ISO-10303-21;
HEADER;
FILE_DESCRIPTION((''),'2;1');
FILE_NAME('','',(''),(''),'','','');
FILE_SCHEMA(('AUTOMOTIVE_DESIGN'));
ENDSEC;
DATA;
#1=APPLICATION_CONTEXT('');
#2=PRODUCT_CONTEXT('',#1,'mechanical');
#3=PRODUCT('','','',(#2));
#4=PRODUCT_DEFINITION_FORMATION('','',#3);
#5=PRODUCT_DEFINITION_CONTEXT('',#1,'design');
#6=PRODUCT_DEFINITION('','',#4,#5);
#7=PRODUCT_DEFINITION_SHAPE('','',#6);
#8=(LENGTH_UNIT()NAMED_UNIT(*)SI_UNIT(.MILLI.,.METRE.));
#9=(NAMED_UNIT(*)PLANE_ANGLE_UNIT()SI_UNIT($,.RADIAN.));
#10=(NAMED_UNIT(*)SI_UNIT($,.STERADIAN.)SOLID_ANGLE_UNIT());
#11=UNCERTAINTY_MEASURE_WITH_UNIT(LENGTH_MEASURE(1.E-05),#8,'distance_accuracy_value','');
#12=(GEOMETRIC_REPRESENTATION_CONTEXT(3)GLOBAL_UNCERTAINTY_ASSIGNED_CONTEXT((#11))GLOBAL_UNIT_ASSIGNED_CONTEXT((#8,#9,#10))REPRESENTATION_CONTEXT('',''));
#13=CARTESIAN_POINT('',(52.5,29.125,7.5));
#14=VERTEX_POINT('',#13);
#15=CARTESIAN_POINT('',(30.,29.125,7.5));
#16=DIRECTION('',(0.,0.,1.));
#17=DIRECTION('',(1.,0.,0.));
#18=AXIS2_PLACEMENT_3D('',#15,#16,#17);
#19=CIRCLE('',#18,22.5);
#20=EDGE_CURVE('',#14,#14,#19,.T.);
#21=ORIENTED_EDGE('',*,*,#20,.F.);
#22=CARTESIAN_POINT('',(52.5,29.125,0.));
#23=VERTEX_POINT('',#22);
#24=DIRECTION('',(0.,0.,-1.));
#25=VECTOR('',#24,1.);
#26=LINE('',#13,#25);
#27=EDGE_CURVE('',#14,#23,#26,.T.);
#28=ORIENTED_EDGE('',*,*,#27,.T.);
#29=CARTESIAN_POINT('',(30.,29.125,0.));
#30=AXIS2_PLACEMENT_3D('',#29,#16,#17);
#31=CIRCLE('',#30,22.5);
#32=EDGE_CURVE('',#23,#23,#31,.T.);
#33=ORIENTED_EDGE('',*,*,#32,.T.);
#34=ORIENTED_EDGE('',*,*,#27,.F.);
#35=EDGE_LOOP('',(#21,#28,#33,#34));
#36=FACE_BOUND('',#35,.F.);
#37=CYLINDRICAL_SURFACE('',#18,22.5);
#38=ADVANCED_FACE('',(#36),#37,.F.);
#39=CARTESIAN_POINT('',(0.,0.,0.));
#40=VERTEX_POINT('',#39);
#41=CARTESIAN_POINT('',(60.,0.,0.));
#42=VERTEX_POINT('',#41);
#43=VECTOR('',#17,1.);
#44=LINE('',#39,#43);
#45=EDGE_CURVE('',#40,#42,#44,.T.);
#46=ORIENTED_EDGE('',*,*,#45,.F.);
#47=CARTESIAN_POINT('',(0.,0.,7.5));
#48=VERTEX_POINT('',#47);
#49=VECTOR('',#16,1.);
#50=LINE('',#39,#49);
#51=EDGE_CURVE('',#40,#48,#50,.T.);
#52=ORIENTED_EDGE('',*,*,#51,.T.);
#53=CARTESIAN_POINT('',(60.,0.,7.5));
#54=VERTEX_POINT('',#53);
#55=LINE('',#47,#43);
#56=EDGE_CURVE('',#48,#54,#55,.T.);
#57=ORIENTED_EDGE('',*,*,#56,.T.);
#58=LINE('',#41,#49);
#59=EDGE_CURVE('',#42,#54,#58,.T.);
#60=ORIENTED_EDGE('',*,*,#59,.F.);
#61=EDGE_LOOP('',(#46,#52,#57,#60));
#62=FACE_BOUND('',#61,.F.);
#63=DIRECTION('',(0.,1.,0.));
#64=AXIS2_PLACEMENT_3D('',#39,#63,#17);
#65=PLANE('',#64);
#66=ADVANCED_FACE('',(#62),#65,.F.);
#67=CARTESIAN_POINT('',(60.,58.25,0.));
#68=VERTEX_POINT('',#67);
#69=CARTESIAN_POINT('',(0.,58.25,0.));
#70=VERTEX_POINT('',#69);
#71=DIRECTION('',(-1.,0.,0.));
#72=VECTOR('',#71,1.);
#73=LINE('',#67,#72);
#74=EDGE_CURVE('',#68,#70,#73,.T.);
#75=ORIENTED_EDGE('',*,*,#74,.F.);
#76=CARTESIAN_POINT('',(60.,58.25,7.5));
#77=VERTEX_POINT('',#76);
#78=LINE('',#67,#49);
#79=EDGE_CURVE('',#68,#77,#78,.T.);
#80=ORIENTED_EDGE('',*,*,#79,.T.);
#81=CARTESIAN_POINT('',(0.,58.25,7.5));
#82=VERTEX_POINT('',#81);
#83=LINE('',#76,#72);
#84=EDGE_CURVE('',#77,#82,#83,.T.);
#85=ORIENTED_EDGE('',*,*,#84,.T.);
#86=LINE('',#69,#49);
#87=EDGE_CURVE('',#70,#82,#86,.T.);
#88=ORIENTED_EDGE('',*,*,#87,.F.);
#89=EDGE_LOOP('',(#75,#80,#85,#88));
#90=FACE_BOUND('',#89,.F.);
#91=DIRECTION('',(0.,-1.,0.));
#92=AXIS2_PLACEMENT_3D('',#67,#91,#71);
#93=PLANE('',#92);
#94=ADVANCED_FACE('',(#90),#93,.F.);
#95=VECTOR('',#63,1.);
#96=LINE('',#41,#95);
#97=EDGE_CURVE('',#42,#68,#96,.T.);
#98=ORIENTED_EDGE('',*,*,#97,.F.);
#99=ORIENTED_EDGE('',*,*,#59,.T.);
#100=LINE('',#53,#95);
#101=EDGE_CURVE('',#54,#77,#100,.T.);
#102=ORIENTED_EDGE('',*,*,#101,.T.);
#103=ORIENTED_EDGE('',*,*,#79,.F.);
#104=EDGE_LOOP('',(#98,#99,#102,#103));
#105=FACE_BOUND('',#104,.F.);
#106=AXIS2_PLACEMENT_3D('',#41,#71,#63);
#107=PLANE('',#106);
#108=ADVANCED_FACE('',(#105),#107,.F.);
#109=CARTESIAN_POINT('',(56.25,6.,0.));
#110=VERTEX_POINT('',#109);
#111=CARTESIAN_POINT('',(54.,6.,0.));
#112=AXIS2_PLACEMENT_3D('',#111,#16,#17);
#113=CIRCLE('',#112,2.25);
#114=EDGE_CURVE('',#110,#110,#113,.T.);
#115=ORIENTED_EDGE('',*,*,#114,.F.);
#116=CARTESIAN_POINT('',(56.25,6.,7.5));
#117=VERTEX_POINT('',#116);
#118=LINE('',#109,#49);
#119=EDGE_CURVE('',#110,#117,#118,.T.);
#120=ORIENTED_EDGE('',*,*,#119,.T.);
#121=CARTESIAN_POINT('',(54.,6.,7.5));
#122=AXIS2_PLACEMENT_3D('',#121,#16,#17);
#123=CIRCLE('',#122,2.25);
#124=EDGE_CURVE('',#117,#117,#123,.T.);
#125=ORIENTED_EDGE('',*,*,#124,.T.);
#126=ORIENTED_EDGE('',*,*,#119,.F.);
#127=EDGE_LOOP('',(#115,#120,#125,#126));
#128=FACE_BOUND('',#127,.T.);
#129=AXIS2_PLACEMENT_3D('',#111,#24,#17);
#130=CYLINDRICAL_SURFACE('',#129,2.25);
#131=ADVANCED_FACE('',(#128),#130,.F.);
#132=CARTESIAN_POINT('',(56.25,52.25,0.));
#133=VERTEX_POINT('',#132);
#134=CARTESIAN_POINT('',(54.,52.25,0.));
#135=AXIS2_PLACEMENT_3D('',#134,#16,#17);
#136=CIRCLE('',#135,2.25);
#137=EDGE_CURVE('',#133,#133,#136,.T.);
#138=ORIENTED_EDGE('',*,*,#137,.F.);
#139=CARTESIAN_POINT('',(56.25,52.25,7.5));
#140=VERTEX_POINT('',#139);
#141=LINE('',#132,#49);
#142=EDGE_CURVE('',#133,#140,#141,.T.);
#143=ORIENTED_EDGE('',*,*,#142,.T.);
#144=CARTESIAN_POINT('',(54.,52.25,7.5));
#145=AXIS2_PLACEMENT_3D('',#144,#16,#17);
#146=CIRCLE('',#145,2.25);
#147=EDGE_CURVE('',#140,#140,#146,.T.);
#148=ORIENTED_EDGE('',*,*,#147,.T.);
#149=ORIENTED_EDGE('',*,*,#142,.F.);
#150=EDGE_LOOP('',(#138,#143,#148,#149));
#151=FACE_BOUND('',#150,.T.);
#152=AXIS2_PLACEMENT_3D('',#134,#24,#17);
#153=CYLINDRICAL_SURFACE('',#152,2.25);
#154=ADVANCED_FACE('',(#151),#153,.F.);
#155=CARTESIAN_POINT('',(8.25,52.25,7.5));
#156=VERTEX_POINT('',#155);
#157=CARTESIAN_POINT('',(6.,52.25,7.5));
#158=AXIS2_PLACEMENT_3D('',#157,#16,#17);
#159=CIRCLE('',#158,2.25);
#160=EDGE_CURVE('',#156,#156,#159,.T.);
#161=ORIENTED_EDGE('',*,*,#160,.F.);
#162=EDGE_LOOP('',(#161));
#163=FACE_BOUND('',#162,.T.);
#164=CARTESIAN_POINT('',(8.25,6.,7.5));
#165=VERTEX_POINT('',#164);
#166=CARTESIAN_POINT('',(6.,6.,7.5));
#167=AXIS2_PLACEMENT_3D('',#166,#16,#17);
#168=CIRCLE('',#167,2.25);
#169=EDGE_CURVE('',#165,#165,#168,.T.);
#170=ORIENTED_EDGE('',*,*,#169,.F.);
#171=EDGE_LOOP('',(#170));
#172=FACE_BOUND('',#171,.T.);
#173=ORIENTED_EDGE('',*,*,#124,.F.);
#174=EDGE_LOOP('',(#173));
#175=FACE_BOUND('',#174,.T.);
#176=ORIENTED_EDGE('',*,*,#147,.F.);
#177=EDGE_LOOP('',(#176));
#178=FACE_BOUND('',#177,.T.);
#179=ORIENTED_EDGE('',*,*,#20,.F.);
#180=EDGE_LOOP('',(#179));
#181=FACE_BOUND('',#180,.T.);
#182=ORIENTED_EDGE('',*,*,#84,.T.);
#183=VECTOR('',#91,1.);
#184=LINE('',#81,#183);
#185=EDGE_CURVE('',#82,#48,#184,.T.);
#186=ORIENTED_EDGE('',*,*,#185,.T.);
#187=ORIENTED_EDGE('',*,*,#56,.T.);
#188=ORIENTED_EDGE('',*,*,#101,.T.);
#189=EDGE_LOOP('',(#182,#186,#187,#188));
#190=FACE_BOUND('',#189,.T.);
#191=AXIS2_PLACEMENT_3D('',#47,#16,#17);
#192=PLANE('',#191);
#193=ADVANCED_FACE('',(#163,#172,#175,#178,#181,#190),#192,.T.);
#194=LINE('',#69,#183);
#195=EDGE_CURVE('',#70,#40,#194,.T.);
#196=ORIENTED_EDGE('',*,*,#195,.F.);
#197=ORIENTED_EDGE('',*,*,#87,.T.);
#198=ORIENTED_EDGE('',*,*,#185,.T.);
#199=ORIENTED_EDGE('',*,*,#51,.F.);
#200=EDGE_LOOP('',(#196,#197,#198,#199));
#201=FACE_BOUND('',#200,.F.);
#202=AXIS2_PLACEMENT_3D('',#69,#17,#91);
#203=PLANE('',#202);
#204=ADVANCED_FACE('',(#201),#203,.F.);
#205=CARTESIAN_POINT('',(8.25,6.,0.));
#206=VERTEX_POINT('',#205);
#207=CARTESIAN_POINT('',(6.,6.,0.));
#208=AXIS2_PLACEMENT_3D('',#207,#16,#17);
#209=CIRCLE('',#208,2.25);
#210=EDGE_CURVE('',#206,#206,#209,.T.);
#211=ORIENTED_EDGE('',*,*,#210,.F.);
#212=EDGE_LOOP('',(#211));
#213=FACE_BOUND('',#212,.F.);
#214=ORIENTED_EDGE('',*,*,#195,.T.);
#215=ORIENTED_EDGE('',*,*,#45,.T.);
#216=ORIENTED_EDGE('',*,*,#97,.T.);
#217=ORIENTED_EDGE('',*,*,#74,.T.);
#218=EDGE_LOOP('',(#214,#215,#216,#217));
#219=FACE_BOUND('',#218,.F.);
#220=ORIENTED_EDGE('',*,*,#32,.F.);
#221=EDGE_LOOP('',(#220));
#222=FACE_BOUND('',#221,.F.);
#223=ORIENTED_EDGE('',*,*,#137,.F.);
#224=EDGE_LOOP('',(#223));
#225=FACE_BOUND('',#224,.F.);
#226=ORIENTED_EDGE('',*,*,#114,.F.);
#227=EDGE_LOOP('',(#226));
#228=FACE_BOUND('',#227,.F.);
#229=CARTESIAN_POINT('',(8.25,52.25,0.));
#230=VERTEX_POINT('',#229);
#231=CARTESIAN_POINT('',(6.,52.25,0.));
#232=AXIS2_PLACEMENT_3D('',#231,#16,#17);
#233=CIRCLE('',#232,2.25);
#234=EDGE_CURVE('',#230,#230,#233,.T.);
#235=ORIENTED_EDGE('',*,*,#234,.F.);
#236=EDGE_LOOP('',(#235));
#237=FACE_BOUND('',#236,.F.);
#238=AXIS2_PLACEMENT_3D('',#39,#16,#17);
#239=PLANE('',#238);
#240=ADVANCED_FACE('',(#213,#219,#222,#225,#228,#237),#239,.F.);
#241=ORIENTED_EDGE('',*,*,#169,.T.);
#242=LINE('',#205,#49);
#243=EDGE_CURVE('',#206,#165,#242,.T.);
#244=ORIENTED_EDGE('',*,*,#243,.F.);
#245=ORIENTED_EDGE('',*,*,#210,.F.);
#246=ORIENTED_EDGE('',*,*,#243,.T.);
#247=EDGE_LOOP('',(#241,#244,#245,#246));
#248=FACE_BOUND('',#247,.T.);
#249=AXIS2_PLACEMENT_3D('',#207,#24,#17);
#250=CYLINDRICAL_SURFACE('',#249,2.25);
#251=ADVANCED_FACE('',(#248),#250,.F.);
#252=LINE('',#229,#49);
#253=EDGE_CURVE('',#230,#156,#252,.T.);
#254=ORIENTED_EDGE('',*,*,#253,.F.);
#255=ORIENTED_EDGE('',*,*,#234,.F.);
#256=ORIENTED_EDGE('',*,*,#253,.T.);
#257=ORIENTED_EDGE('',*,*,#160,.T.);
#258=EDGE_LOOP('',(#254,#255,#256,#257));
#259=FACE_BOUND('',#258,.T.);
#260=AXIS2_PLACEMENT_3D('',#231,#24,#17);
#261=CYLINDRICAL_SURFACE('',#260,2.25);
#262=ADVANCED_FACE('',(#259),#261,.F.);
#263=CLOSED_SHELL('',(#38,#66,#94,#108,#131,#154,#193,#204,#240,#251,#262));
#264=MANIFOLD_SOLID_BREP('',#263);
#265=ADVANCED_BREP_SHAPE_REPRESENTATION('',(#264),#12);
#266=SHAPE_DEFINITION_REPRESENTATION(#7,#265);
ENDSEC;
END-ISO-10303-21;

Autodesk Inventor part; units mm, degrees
ref_plane "YZ Plane" through (0, 0, 0) normal (1, 0, 0) x (0, 1, 0)
ref_plane "XZ Plane" through (0, 0, 0) normal (0, 1, 0) x (-1, 0, 0)
ref_plane "XY Plane" through (0, 0, 0) normal (0, 0, 1) x (1, 0, 0)
sketch "Skizze1" plane through (0, 0, 0) normal (0, 0, 1) x (1, 0, 0)
  line L0 (0, 0) -> (60, 0)
  line L1 (60, 0) -> (60, 58.25)
  line L2 (60, 58.25) -> (0, 58.25)
  line L3 (0, 58.25) -> (0, 0)
  circle A0 centre (6, 52.25) radius 2.25
  circle A1 centre (54, 52.25) radius 2.25
  circle A2 centre (54, 6) radius 2.25
  circle A3 centre (6, 6) radius 2.25
  dimension "d0" = 60
  dimension "d1" = 58.25
  dimension "d2" = 4.5
  dimension "d3" = 4.5
  dimension "d4" = 4.5
  dimension "d5" = 4.5
  dimension "d6" = 48
  dimension "d7" = 46.25
  dimension "d8" = 6
  dimension "d9" = 6
  dimension "d10" = 6
  dimension "d11" = 6
extrude "Extrusion1" add sketch "Skizze1" along normal blind 7.5
sketch "Skizze2" plane through (0, 0, 7.5) normal (0, 0, 1) x (1, 0, 0)
  circle A0 centre (30, 29.125) radius 22.5
  line L0 (60, 58.25) -> (0, 58.25) projected
  line L1 (0, 58.25) -> (0, 0) projected
  dimension "d14" = 45
  dimension "d15" = 29.125
  dimension "d16" = 30
extrude "Extrusion2" cut sketch "Skizze2" against normal blind 10
properties part number "103.016.01_Zwischenstueck_oben" material "PMMA-Kunststoff"
